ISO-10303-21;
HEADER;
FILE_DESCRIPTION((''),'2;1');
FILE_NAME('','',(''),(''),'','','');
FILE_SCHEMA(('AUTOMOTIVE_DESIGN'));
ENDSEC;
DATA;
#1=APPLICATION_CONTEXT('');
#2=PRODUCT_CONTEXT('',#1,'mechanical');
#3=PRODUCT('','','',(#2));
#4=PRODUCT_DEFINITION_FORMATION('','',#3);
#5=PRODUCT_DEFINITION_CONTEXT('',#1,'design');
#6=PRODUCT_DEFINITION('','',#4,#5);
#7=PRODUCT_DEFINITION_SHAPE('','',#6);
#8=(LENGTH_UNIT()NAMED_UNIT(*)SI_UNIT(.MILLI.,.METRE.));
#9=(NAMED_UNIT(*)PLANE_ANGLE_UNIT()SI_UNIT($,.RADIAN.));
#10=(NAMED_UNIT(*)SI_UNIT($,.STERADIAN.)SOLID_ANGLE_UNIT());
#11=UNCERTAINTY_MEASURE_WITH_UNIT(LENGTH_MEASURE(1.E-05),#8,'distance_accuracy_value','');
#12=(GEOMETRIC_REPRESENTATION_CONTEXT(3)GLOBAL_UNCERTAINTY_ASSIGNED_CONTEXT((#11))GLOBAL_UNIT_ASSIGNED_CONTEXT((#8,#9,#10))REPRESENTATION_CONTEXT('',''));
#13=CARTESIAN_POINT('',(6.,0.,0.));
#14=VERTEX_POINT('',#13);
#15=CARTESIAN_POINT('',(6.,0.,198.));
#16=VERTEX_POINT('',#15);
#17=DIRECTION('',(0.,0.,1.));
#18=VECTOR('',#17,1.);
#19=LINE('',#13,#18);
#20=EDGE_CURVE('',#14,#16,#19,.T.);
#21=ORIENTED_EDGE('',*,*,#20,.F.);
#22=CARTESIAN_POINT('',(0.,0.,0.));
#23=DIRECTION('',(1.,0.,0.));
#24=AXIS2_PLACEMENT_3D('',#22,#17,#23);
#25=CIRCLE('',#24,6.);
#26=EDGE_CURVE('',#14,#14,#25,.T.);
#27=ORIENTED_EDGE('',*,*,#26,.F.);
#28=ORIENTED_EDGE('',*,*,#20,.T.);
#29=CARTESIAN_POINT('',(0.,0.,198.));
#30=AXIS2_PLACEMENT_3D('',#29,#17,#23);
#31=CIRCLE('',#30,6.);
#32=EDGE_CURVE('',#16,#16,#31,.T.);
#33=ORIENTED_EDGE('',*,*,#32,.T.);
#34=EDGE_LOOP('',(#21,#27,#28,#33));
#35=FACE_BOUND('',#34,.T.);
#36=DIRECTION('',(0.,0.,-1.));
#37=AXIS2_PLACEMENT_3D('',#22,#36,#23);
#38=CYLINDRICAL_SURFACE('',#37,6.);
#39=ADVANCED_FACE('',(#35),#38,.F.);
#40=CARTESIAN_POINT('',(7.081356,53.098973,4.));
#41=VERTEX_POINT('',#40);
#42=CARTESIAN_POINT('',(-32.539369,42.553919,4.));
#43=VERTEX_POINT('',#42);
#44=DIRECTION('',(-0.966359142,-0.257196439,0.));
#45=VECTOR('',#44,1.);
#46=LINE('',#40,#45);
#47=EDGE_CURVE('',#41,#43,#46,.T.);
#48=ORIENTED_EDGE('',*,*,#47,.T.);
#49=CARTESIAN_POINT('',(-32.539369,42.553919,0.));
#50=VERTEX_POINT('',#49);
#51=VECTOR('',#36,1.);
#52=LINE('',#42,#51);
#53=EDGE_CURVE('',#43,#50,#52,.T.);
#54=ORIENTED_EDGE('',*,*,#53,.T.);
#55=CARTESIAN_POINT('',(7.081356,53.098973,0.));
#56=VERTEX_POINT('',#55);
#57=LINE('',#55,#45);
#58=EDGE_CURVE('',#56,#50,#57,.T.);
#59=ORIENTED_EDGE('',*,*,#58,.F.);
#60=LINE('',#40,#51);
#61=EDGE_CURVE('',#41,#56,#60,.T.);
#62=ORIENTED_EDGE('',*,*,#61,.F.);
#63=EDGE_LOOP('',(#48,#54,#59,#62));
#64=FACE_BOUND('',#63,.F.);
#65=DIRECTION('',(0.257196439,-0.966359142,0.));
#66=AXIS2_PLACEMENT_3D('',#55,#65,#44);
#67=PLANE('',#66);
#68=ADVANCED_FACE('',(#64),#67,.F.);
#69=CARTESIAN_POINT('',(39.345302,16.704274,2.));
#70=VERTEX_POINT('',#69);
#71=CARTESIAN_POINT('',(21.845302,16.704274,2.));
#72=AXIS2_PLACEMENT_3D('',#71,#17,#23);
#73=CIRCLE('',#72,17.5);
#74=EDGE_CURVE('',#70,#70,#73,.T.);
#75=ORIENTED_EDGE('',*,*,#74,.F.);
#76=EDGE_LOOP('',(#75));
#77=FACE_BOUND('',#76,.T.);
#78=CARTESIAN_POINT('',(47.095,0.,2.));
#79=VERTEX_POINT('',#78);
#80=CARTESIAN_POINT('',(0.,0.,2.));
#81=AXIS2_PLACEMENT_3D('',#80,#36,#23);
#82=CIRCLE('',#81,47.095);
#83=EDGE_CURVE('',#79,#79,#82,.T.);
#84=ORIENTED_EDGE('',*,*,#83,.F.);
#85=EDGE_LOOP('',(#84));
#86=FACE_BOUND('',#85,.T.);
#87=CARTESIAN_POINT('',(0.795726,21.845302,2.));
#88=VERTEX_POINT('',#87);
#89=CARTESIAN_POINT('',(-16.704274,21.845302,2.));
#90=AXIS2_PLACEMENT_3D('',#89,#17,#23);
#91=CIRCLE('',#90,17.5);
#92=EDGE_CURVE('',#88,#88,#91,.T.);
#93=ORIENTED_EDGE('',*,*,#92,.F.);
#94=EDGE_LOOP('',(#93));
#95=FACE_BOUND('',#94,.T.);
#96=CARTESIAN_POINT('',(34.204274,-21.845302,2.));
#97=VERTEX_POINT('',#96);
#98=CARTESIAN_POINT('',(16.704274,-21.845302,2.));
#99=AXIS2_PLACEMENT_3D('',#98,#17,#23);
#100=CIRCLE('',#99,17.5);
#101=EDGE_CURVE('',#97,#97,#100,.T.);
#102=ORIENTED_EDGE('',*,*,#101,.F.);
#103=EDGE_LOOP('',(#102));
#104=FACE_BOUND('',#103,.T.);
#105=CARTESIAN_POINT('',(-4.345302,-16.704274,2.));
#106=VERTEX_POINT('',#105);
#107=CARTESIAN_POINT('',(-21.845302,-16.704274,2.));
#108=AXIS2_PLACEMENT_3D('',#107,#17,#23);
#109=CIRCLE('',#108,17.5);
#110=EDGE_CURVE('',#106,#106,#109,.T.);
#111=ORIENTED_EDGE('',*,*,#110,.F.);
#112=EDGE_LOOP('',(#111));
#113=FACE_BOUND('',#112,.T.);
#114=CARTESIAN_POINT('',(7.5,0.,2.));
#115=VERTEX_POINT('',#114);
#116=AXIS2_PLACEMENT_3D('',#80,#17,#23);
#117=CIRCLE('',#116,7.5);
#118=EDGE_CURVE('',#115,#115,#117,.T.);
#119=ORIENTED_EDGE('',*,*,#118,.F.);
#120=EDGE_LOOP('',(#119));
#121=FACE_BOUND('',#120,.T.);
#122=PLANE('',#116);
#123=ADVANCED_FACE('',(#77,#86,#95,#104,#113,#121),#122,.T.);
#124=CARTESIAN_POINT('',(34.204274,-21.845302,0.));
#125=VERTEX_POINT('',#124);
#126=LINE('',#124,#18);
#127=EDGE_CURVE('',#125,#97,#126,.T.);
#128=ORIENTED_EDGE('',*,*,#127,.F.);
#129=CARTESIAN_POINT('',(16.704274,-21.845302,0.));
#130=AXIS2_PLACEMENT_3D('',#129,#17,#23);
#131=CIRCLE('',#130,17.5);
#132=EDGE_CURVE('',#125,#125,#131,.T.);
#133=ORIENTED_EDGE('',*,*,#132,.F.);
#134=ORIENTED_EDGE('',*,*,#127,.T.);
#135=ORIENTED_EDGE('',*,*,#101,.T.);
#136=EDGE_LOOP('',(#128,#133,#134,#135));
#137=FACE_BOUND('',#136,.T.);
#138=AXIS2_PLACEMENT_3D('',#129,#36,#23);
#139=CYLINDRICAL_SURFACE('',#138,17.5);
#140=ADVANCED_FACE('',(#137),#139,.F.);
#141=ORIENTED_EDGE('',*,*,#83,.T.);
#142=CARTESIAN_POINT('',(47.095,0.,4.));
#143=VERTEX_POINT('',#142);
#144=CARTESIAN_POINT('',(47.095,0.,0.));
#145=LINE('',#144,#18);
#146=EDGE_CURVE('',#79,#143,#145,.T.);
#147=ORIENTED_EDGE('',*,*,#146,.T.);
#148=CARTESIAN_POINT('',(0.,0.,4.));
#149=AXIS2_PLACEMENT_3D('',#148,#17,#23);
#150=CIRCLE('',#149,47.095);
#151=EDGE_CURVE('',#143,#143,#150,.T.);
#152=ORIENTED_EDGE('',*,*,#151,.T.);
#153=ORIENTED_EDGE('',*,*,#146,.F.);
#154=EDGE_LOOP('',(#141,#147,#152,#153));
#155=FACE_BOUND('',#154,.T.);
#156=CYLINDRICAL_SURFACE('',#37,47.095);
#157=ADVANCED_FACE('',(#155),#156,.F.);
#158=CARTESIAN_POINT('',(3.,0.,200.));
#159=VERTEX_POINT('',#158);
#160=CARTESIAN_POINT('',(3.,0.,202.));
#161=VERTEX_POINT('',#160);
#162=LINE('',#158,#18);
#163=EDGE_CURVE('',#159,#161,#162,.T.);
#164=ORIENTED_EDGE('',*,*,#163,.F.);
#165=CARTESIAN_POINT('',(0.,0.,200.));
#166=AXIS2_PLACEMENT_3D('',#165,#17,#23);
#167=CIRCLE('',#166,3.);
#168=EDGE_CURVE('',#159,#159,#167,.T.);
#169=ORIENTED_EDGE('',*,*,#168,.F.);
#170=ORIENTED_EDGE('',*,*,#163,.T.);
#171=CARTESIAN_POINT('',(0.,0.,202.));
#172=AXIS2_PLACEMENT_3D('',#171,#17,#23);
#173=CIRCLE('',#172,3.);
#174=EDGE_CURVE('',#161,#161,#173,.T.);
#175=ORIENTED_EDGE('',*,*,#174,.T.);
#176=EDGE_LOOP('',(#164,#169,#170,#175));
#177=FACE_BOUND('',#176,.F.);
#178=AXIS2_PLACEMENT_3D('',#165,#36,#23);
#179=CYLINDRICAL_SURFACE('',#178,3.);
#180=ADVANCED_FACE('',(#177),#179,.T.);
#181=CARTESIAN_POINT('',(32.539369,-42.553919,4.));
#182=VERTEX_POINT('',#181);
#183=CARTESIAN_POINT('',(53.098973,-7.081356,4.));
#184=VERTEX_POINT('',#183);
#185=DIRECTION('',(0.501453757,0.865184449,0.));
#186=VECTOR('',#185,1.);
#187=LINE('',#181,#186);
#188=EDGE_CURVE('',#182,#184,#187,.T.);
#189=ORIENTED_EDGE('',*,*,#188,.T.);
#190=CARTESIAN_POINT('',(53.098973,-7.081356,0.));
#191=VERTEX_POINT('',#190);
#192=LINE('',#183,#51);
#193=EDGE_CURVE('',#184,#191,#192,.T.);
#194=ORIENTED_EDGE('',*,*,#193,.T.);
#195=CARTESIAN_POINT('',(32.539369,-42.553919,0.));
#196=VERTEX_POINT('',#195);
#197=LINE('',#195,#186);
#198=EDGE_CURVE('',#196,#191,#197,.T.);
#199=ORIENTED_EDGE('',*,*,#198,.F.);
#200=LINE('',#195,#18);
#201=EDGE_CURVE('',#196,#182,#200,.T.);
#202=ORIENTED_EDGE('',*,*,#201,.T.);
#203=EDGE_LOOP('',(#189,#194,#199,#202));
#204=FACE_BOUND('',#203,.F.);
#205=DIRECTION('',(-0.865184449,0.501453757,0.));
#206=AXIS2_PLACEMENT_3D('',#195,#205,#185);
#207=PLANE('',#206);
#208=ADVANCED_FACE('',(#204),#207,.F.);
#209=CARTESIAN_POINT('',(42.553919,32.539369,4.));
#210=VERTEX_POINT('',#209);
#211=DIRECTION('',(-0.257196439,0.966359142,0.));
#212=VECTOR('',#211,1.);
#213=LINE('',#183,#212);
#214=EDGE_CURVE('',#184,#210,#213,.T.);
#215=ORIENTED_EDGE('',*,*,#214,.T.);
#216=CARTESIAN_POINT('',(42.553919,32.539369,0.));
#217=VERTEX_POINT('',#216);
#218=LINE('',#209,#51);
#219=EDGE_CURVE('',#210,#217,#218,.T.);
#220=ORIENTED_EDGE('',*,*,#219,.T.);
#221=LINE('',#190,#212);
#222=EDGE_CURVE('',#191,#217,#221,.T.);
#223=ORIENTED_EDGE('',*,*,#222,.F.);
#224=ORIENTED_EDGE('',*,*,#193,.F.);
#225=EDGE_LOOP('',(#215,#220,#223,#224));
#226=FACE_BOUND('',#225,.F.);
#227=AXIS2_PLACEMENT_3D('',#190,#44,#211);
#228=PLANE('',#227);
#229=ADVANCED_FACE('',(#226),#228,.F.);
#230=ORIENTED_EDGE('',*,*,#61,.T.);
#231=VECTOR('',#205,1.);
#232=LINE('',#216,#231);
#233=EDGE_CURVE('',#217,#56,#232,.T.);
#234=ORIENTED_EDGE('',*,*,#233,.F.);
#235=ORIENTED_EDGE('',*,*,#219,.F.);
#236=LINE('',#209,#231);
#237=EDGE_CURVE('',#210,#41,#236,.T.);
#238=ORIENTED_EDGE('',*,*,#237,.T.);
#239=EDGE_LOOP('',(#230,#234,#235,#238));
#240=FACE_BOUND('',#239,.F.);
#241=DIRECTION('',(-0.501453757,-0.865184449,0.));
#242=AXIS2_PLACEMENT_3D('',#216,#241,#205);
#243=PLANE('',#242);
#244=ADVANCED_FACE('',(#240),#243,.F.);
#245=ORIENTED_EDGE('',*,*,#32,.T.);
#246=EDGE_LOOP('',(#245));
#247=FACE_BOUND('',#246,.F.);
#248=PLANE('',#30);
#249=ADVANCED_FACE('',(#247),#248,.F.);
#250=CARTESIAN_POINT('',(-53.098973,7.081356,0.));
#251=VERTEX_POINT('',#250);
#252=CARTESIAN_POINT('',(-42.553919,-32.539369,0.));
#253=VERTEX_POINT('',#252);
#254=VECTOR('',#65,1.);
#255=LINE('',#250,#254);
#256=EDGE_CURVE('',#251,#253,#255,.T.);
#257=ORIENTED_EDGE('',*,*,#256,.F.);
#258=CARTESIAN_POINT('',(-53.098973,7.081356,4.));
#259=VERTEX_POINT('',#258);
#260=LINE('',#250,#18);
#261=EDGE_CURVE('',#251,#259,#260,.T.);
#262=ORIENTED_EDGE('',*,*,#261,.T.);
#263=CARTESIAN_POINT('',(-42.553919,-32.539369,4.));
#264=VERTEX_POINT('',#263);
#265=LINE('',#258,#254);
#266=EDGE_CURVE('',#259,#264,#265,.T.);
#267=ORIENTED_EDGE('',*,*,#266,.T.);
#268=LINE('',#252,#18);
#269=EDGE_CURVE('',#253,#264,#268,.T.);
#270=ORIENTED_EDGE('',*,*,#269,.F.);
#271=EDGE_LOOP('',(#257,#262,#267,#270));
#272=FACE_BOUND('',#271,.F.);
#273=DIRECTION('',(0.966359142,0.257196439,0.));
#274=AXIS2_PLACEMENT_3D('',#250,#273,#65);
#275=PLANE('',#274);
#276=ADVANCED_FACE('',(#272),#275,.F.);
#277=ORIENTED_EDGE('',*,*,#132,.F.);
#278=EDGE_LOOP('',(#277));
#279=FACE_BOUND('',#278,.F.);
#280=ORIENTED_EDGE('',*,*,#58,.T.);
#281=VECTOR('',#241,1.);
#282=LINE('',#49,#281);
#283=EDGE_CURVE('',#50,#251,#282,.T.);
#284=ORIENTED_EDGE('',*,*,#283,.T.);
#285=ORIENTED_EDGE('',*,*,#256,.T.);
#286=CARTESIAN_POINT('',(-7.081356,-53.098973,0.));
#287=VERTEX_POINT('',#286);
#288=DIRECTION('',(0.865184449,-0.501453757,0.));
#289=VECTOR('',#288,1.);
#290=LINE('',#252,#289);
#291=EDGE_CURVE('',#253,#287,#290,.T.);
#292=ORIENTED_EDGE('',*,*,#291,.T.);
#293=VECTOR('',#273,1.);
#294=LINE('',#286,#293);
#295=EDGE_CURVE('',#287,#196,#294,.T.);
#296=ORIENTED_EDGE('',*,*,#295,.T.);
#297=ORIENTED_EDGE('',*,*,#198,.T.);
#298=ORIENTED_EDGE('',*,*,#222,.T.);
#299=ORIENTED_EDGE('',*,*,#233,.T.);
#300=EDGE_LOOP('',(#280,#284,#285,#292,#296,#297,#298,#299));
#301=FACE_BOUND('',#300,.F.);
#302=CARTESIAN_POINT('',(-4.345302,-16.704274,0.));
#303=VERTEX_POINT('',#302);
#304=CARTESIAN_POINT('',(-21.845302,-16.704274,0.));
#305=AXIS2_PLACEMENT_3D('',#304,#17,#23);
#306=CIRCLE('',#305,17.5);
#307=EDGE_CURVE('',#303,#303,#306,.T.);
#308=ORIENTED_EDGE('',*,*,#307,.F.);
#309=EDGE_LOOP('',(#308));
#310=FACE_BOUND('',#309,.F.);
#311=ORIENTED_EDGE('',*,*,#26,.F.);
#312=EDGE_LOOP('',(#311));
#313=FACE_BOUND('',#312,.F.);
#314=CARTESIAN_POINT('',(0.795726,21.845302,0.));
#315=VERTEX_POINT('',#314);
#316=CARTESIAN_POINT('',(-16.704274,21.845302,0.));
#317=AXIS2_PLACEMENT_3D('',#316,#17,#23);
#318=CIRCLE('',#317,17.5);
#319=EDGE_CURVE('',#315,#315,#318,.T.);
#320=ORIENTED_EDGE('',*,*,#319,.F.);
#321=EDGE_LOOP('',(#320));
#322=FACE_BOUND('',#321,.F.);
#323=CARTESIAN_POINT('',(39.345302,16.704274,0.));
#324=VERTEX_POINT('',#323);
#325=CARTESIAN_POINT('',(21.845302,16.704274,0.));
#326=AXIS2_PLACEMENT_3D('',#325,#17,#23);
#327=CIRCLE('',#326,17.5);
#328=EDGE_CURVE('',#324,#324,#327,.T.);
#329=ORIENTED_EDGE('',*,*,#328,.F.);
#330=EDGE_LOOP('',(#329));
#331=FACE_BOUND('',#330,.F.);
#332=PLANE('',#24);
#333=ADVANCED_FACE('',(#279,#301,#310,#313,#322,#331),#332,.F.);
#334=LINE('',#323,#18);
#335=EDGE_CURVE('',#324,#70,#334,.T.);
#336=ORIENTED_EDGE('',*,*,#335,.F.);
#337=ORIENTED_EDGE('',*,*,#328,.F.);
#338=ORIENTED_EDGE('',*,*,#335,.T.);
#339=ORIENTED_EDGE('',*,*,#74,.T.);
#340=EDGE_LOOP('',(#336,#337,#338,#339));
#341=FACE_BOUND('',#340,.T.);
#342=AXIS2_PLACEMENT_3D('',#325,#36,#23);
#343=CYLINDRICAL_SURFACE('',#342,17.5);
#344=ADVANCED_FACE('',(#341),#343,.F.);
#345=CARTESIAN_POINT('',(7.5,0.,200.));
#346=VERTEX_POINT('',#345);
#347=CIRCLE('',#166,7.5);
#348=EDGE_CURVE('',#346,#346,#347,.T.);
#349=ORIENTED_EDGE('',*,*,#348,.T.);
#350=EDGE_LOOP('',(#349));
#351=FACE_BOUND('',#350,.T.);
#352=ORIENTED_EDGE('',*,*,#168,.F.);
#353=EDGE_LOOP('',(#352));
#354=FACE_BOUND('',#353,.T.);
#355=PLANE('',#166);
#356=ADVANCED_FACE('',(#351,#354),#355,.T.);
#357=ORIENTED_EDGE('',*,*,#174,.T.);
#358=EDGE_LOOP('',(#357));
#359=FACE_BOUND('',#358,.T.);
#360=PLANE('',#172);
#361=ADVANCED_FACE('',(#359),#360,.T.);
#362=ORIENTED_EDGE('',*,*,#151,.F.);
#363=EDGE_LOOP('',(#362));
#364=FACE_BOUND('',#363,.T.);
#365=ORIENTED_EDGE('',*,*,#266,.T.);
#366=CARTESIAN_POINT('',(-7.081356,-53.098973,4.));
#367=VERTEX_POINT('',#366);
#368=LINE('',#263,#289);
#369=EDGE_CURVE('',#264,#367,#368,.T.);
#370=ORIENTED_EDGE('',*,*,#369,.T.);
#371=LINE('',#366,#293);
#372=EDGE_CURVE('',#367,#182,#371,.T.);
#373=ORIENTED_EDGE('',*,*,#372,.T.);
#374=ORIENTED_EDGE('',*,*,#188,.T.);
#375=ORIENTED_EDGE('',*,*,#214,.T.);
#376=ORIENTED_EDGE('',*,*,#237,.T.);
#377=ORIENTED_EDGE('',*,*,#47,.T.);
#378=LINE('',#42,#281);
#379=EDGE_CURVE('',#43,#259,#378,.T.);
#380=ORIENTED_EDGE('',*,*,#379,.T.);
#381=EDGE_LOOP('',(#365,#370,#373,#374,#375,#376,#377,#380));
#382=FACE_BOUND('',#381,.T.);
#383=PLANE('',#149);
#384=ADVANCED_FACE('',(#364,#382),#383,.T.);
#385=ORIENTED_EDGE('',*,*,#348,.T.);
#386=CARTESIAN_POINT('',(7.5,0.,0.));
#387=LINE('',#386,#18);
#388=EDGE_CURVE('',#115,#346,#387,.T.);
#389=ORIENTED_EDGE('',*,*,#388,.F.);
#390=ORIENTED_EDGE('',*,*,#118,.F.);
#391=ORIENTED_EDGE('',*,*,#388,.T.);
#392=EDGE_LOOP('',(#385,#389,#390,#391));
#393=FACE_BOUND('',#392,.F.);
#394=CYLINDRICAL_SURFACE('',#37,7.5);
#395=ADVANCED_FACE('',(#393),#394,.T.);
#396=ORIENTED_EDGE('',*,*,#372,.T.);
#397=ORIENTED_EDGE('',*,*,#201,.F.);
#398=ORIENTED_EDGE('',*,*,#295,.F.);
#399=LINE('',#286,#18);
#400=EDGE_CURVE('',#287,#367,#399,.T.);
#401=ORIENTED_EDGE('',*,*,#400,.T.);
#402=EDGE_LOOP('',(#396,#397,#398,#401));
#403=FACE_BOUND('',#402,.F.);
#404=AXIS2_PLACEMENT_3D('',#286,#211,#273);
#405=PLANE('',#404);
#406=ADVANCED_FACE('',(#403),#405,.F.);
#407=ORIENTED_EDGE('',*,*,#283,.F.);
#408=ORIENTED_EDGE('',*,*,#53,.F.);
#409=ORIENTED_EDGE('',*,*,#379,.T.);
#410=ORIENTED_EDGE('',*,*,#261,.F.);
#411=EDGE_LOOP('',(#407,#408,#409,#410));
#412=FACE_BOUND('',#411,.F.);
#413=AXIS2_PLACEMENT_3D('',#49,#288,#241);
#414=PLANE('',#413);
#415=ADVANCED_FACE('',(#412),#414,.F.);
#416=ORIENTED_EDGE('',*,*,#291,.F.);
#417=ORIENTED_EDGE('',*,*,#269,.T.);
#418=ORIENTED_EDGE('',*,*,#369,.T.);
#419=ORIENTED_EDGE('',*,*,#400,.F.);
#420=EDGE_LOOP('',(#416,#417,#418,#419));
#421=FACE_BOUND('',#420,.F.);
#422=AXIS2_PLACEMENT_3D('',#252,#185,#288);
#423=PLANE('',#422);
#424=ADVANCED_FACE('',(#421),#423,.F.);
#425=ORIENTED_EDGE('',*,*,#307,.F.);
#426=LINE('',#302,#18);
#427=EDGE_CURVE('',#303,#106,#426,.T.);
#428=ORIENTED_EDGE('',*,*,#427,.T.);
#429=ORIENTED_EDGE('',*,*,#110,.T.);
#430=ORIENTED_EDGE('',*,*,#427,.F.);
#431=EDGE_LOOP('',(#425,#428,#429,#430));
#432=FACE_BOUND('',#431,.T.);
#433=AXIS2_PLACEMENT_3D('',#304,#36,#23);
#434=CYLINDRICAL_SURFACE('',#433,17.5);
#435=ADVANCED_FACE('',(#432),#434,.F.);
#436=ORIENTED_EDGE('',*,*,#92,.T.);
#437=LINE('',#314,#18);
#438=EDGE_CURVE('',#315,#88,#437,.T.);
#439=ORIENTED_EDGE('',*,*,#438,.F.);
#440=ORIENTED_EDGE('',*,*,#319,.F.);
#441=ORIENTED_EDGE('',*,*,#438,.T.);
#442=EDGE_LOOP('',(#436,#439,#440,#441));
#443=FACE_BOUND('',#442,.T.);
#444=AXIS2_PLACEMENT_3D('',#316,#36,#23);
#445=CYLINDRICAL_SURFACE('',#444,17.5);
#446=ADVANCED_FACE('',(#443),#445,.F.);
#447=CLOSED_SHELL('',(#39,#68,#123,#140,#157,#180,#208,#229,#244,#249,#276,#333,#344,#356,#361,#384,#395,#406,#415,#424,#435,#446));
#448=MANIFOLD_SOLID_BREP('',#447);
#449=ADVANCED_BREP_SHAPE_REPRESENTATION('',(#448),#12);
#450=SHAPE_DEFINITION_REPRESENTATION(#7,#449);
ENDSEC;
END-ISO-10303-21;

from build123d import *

# Parameters (mm, degrees)
F0_R     = 7.5
F0_R_2   = 6
F1_DEPTH = 200
F2_DEPTH = 198
F0_R_3   = 47.095
F0_R_4   = 17.5
F3_DEPTH = 2
F4_DEPTH = 4
F6_R     = 3
F7_DEPTH = 2


with BuildPart() as f1:
    # F0 (on Top) → F1 (new body)
    with BuildSketch(Plane.XY):
        Circle(F0_R)
        Circle(F0_R_2, mode=Mode.SUBTRACT)
        Circle(F0_R_2)
    extrude(amount=F1_DEPTH)

    # F0 (on Top) → F2 (cut)
    with BuildSketch(Plane.XY):
        Circle(F0_R_2)
    extrude(amount=F2_DEPTH, mode=Mode.SUBTRACT)

    # F0 (on Top) → F3 (join)
    with BuildSketch(Plane.XY):
        Polygon((-32.5393686004, 42.5539186241), (-53.098972618, 7.0813562323), (-42.5539186241, -32.5393686004), (-7.0813562323, -53.098972618), (32.5393686004, -42.5539186241), (53.098972618, -7.0813562323), (42.5539186241, 32.5393686004), (7.0813562323, 53.098972618), align=None)
        Circle(F0_R_3, mode=Mode.SUBTRACT)
        Circle(F0_R_3)
        with Locations((-21.8453019556, -16.7042743772)):
            Circle(F0_R_4, mode=Mode.SUBTRACT)
        with Locations((16.7042743772, -21.8453019556)):
            Circle(F0_R_4, mode=Mode.SUBTRACT)
        with Locations((-16.7042743772, 21.8453019556)):
            Circle(F0_R_4, mode=Mode.SUBTRACT)
        Circle(F0_R, mode=Mode.SUBTRACT)
        with Locations((21.8453019556, 16.7042743772)):
            Circle(F0_R_4, mode=Mode.SUBTRACT)
    extrude(amount=F3_DEPTH)

    # F0 (on Top) → F4 (join)
    with BuildSketch(Plane.XY):
        Polygon((-32.5393686004, 42.5539186241), (-53.098972618, 7.0813562323), (-42.5539186241, -32.5393686004), (-7.0813562323, -53.098972618), (32.5393686004, -42.5539186241), (53.098972618, -7.0813562323), (42.5539186241, 32.5393686004), (7.0813562323, 53.098972618), align=None)
        Circle(F0_R_3, mode=Mode.SUBTRACT)
    extrude(amount=F4_DEPTH)

    # F6 (on offset) → F7 (join)
    with BuildSketch(Plane.XY.offset(200)):
        Circle(F6_R)
    extrude(amount=F7_DEPTH)


solid = f1.part
